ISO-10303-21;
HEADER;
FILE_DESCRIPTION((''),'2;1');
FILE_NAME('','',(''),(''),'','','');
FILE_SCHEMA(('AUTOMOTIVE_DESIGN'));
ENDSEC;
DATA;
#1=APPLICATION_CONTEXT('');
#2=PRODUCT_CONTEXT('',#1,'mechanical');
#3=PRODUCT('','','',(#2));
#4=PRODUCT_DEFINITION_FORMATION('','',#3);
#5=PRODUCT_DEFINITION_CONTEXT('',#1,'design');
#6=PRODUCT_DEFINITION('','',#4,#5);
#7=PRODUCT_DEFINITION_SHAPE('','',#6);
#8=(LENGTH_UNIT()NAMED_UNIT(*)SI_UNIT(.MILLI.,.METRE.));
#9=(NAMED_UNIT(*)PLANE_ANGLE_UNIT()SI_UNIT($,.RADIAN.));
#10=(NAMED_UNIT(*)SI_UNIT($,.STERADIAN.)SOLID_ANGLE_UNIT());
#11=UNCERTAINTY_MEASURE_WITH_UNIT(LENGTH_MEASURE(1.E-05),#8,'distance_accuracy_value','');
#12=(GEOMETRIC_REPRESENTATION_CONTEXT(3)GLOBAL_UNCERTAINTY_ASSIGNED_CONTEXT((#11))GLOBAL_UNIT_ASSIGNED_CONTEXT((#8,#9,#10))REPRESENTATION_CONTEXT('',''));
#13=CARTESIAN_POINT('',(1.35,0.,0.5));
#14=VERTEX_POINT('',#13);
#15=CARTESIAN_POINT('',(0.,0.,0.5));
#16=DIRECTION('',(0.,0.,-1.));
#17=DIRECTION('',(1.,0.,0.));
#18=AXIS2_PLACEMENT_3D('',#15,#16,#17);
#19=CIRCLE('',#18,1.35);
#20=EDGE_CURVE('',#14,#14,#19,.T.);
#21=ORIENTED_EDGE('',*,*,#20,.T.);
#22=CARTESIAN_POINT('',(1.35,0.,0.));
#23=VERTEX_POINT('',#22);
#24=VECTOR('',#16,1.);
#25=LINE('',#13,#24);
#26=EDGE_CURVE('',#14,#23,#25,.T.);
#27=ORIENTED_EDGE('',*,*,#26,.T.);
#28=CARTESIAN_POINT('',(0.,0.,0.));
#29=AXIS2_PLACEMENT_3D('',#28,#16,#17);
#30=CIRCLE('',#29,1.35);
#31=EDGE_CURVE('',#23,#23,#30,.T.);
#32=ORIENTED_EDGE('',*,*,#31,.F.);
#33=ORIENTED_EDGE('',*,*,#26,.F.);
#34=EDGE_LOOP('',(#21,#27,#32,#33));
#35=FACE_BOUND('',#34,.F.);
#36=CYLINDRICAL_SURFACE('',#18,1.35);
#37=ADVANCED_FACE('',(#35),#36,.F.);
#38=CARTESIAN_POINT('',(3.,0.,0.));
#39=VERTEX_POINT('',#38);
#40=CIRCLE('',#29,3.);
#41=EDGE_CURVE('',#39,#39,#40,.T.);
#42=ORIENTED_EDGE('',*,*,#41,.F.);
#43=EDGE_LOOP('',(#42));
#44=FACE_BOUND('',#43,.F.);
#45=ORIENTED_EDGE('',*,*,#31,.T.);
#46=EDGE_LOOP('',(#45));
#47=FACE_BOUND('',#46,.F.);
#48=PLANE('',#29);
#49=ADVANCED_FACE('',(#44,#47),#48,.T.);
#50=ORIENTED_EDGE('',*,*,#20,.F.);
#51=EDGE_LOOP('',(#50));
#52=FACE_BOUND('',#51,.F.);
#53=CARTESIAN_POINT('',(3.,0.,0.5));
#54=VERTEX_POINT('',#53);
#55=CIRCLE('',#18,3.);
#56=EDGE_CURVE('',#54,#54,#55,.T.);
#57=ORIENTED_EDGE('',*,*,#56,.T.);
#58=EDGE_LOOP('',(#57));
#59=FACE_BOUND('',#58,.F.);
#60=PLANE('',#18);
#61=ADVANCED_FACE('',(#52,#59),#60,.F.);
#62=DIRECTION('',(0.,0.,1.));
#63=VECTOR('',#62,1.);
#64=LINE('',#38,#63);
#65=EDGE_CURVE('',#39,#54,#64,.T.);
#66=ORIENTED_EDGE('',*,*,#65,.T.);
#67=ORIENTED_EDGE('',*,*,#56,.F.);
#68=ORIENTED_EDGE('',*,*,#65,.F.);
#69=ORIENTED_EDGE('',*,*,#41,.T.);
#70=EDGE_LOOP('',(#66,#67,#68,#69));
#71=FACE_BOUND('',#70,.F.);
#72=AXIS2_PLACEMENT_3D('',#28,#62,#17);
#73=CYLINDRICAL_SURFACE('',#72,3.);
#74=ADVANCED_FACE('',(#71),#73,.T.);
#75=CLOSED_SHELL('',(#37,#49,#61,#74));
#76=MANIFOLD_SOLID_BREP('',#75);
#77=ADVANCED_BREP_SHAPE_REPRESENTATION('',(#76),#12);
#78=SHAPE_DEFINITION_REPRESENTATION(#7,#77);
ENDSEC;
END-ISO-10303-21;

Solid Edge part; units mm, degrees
sketch "Sketch1" plane through (0, 0, 0) normal (0, -1, 0) x (1, 0, 0)
  line L0 (1.35, 0.5) -> (1.35, 0)
  line L1 (1.35, 0) -> (3, 0)
  line L2 (3, 0) -> (3, 0.5)
  line L3 (3, 0.5) -> (1.35, 0.5)
  dimension "D1" = 1.35
  dimension "D2" = 3
  dimension "D3" = 0.5
revolve "RevolvedProtrusion1" add sketch "Sketch1" angle 360 about axis through (0, 0, 2) along (0, 0, -1)
properties material "Silikon"
